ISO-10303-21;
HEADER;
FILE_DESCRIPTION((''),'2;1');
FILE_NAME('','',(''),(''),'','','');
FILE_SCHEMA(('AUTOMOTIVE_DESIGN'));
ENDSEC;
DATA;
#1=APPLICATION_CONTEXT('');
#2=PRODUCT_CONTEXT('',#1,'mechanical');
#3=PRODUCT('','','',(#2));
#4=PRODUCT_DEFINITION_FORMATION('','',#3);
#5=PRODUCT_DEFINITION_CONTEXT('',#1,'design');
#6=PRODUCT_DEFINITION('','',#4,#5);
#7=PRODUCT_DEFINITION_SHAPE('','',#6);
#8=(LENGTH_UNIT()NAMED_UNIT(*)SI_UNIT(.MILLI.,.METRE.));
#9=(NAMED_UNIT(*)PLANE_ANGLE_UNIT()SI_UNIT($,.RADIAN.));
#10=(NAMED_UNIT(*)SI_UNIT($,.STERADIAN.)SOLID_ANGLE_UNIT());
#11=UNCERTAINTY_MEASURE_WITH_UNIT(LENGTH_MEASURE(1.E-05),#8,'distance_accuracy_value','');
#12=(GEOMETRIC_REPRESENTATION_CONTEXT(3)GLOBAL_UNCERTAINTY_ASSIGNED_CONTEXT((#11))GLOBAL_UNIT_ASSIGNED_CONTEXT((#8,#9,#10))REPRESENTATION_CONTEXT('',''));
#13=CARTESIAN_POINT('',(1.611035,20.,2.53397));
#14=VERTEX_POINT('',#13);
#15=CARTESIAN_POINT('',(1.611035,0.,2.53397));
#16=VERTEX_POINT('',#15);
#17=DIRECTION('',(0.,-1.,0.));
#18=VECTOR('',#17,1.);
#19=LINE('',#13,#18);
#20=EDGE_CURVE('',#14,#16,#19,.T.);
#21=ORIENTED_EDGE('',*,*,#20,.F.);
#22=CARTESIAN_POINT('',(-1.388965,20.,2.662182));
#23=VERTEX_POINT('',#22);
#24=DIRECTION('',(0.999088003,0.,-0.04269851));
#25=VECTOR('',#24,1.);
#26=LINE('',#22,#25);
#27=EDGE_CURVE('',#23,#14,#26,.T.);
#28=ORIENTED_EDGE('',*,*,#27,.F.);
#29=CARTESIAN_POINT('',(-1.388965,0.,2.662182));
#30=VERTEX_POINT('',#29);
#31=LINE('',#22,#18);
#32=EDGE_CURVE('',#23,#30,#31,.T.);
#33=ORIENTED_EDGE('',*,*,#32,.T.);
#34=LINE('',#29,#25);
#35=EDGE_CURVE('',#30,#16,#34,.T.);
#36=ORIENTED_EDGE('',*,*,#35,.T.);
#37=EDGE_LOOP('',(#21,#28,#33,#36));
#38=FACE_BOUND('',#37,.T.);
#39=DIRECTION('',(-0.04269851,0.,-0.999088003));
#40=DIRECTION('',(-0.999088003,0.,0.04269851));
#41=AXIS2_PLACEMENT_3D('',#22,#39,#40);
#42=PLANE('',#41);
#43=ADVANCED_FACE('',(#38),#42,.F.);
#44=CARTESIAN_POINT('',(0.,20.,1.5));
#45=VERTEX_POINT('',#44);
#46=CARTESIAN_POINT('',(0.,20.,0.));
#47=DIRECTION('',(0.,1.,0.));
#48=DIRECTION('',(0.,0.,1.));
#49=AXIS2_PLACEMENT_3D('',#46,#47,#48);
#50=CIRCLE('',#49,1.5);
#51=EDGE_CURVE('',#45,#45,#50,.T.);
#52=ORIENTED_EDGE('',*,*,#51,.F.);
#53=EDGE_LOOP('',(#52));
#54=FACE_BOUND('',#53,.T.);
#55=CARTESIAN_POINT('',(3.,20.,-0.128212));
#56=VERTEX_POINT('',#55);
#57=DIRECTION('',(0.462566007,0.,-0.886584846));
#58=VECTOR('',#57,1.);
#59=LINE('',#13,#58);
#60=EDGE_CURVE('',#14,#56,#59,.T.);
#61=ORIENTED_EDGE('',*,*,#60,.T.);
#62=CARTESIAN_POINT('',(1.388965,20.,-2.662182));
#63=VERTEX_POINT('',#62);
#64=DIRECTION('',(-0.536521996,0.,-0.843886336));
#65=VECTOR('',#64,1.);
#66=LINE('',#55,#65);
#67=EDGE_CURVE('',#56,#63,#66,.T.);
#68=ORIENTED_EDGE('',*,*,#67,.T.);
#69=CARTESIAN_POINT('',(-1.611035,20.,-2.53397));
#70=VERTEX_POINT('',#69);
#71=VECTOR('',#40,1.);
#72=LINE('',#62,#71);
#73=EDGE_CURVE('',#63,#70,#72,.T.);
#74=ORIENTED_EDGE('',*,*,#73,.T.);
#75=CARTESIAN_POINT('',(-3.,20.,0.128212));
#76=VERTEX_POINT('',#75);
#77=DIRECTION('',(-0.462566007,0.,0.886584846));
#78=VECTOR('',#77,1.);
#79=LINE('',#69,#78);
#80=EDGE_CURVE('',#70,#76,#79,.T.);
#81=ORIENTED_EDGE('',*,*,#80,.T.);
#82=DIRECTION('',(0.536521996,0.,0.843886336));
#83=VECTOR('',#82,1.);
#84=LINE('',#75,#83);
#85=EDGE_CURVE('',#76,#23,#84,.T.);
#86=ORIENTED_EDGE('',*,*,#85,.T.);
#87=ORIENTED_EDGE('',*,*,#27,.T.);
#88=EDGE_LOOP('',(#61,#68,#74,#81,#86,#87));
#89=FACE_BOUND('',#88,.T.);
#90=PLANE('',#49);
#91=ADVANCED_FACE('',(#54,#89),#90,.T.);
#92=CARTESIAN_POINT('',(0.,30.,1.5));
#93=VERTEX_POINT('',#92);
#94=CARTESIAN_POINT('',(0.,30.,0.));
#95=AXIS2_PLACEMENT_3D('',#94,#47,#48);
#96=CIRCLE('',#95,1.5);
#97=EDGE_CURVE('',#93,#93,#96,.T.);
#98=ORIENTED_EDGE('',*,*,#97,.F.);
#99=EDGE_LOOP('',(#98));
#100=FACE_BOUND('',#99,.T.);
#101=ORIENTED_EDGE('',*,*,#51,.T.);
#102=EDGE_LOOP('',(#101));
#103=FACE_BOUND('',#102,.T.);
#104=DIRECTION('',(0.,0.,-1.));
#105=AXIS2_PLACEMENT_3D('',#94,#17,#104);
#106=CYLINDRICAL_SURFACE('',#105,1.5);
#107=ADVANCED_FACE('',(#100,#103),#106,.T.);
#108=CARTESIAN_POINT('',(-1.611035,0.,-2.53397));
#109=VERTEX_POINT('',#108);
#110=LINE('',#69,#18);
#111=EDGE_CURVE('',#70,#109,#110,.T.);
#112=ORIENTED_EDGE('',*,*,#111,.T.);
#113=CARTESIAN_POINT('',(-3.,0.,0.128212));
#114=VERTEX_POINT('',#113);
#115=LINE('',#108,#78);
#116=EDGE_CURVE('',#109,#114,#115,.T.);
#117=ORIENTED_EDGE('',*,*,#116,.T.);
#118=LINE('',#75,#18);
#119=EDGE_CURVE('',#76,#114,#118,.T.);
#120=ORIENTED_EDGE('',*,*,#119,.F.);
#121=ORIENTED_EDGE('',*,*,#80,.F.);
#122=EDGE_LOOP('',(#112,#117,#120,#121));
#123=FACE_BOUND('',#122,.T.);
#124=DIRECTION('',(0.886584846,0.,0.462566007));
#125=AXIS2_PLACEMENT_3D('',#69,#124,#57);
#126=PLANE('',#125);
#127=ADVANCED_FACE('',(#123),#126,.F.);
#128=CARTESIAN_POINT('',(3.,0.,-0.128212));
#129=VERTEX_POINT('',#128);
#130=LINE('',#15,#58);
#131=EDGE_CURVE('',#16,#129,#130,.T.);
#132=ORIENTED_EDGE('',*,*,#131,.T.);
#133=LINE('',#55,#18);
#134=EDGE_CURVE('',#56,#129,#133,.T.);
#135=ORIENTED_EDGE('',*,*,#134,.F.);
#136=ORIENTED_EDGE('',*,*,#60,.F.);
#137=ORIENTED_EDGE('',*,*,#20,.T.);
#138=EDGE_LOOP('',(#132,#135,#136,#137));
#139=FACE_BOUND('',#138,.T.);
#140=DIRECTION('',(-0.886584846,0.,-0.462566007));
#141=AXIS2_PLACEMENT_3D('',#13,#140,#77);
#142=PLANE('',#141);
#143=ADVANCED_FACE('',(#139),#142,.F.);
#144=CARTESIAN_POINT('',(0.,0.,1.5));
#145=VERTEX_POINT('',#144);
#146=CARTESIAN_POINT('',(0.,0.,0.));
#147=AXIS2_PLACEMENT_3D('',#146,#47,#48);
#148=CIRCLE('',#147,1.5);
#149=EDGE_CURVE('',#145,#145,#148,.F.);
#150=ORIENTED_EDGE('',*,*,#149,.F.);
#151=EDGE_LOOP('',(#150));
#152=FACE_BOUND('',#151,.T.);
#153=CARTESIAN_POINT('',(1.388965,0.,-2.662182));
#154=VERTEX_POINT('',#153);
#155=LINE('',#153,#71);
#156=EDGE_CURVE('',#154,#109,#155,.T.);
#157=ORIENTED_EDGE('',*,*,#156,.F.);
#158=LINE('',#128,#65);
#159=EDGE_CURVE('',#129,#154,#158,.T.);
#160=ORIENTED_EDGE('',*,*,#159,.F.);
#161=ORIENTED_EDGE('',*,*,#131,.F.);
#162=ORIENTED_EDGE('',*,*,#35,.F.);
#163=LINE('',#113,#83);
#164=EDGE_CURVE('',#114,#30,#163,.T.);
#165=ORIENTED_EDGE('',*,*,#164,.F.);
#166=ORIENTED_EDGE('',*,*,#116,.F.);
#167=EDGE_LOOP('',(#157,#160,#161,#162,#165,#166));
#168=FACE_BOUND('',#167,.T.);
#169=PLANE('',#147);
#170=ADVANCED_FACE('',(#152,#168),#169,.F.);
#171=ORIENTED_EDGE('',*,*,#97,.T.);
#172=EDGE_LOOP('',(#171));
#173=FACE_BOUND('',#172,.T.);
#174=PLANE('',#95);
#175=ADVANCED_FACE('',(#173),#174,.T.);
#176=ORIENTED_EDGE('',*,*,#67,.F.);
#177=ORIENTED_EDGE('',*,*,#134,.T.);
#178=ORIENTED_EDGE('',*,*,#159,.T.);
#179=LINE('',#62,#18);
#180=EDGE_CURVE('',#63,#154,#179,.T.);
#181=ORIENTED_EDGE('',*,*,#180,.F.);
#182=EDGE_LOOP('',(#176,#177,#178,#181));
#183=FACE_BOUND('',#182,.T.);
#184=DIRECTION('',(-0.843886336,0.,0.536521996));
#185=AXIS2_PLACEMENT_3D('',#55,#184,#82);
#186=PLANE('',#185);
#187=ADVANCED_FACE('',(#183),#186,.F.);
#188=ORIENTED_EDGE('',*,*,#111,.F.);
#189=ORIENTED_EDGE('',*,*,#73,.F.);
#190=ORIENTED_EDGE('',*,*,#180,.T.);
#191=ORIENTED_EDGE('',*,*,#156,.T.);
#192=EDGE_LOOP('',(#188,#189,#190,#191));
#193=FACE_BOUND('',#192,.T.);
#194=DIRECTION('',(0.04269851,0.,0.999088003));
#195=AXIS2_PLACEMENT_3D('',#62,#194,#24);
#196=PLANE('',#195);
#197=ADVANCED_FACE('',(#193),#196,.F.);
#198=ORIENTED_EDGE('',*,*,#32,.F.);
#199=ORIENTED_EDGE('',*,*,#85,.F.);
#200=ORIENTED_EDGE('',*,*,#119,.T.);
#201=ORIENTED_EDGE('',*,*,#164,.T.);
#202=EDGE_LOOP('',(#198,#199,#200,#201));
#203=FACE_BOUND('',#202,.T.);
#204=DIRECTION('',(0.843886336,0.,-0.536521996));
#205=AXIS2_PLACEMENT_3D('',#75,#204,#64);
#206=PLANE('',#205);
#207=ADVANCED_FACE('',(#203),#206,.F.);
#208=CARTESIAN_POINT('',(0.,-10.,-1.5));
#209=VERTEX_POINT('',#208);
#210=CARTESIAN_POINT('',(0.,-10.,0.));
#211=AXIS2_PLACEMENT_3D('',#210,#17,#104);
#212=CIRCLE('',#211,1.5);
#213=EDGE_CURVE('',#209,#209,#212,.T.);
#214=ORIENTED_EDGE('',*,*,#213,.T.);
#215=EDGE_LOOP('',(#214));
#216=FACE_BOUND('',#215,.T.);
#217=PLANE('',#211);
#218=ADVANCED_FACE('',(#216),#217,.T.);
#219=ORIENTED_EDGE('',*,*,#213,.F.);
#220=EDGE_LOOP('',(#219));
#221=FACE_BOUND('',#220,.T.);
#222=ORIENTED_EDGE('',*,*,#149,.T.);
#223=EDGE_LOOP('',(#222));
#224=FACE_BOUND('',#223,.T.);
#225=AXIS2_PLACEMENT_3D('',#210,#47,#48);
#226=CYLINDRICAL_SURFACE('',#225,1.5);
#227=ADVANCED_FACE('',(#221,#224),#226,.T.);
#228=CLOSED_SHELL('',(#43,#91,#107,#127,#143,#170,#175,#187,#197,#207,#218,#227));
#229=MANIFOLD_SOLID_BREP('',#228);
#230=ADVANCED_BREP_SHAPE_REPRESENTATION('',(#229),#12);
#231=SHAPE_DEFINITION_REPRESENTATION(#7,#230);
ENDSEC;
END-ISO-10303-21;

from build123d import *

# Parameters (mm, degrees)
BOSS_EXTRUDE1_DEPTH = 20
SKETCH4_R           = 1.5
BOSS_EXTRUDE2_DEPTH = 10
BOSS_EXTRUDE3_START = 10
SKETCH5_R           = 1.5
BOSS_EXTRUDE3_DEPTH = 10


with BuildPart() as part:
    # Sketch3 → Boss-Extrude1 (new body)
    with BuildSketch(Plane(origin=(0, 0, 0), x_dir=(1, 0, 0), z_dir=(0, 1, 0))):
        Polygon((1.388964752, 2.662182442), (-1.611035248, 2.533969981), (-3, -0.12821246), (-1.388964752, -2.662182442), (1.611035248, -2.533969981), (3, 0.12821246), align=None)
    extrude(amount=BOSS_EXTRUDE1_DEPTH)

    # Sketch4 → Boss-Extrude2 (add)
    with BuildSketch(Plane(origin=(0, 20, 0), x_dir=(1, 0, 0), z_dir=(0, 1, 0))):
        with Locations(Location((0, 0, 0), (0, 0, 270))):
            Circle(SKETCH4_R)
    extrude(amount=BOSS_EXTRUDE2_DEPTH)

    # Sketch5 → Boss-Extrude3 (add)
    with BuildSketch(Plane.XZ.offset(BOSS_EXTRUDE3_START)):
        with Locations(Location((0, 0, 0), (0, 0, 90))):
            Circle(SKETCH5_R)
    extrude(amount=-BOSS_EXTRUDE3_DEPTH)


solid = part.part
